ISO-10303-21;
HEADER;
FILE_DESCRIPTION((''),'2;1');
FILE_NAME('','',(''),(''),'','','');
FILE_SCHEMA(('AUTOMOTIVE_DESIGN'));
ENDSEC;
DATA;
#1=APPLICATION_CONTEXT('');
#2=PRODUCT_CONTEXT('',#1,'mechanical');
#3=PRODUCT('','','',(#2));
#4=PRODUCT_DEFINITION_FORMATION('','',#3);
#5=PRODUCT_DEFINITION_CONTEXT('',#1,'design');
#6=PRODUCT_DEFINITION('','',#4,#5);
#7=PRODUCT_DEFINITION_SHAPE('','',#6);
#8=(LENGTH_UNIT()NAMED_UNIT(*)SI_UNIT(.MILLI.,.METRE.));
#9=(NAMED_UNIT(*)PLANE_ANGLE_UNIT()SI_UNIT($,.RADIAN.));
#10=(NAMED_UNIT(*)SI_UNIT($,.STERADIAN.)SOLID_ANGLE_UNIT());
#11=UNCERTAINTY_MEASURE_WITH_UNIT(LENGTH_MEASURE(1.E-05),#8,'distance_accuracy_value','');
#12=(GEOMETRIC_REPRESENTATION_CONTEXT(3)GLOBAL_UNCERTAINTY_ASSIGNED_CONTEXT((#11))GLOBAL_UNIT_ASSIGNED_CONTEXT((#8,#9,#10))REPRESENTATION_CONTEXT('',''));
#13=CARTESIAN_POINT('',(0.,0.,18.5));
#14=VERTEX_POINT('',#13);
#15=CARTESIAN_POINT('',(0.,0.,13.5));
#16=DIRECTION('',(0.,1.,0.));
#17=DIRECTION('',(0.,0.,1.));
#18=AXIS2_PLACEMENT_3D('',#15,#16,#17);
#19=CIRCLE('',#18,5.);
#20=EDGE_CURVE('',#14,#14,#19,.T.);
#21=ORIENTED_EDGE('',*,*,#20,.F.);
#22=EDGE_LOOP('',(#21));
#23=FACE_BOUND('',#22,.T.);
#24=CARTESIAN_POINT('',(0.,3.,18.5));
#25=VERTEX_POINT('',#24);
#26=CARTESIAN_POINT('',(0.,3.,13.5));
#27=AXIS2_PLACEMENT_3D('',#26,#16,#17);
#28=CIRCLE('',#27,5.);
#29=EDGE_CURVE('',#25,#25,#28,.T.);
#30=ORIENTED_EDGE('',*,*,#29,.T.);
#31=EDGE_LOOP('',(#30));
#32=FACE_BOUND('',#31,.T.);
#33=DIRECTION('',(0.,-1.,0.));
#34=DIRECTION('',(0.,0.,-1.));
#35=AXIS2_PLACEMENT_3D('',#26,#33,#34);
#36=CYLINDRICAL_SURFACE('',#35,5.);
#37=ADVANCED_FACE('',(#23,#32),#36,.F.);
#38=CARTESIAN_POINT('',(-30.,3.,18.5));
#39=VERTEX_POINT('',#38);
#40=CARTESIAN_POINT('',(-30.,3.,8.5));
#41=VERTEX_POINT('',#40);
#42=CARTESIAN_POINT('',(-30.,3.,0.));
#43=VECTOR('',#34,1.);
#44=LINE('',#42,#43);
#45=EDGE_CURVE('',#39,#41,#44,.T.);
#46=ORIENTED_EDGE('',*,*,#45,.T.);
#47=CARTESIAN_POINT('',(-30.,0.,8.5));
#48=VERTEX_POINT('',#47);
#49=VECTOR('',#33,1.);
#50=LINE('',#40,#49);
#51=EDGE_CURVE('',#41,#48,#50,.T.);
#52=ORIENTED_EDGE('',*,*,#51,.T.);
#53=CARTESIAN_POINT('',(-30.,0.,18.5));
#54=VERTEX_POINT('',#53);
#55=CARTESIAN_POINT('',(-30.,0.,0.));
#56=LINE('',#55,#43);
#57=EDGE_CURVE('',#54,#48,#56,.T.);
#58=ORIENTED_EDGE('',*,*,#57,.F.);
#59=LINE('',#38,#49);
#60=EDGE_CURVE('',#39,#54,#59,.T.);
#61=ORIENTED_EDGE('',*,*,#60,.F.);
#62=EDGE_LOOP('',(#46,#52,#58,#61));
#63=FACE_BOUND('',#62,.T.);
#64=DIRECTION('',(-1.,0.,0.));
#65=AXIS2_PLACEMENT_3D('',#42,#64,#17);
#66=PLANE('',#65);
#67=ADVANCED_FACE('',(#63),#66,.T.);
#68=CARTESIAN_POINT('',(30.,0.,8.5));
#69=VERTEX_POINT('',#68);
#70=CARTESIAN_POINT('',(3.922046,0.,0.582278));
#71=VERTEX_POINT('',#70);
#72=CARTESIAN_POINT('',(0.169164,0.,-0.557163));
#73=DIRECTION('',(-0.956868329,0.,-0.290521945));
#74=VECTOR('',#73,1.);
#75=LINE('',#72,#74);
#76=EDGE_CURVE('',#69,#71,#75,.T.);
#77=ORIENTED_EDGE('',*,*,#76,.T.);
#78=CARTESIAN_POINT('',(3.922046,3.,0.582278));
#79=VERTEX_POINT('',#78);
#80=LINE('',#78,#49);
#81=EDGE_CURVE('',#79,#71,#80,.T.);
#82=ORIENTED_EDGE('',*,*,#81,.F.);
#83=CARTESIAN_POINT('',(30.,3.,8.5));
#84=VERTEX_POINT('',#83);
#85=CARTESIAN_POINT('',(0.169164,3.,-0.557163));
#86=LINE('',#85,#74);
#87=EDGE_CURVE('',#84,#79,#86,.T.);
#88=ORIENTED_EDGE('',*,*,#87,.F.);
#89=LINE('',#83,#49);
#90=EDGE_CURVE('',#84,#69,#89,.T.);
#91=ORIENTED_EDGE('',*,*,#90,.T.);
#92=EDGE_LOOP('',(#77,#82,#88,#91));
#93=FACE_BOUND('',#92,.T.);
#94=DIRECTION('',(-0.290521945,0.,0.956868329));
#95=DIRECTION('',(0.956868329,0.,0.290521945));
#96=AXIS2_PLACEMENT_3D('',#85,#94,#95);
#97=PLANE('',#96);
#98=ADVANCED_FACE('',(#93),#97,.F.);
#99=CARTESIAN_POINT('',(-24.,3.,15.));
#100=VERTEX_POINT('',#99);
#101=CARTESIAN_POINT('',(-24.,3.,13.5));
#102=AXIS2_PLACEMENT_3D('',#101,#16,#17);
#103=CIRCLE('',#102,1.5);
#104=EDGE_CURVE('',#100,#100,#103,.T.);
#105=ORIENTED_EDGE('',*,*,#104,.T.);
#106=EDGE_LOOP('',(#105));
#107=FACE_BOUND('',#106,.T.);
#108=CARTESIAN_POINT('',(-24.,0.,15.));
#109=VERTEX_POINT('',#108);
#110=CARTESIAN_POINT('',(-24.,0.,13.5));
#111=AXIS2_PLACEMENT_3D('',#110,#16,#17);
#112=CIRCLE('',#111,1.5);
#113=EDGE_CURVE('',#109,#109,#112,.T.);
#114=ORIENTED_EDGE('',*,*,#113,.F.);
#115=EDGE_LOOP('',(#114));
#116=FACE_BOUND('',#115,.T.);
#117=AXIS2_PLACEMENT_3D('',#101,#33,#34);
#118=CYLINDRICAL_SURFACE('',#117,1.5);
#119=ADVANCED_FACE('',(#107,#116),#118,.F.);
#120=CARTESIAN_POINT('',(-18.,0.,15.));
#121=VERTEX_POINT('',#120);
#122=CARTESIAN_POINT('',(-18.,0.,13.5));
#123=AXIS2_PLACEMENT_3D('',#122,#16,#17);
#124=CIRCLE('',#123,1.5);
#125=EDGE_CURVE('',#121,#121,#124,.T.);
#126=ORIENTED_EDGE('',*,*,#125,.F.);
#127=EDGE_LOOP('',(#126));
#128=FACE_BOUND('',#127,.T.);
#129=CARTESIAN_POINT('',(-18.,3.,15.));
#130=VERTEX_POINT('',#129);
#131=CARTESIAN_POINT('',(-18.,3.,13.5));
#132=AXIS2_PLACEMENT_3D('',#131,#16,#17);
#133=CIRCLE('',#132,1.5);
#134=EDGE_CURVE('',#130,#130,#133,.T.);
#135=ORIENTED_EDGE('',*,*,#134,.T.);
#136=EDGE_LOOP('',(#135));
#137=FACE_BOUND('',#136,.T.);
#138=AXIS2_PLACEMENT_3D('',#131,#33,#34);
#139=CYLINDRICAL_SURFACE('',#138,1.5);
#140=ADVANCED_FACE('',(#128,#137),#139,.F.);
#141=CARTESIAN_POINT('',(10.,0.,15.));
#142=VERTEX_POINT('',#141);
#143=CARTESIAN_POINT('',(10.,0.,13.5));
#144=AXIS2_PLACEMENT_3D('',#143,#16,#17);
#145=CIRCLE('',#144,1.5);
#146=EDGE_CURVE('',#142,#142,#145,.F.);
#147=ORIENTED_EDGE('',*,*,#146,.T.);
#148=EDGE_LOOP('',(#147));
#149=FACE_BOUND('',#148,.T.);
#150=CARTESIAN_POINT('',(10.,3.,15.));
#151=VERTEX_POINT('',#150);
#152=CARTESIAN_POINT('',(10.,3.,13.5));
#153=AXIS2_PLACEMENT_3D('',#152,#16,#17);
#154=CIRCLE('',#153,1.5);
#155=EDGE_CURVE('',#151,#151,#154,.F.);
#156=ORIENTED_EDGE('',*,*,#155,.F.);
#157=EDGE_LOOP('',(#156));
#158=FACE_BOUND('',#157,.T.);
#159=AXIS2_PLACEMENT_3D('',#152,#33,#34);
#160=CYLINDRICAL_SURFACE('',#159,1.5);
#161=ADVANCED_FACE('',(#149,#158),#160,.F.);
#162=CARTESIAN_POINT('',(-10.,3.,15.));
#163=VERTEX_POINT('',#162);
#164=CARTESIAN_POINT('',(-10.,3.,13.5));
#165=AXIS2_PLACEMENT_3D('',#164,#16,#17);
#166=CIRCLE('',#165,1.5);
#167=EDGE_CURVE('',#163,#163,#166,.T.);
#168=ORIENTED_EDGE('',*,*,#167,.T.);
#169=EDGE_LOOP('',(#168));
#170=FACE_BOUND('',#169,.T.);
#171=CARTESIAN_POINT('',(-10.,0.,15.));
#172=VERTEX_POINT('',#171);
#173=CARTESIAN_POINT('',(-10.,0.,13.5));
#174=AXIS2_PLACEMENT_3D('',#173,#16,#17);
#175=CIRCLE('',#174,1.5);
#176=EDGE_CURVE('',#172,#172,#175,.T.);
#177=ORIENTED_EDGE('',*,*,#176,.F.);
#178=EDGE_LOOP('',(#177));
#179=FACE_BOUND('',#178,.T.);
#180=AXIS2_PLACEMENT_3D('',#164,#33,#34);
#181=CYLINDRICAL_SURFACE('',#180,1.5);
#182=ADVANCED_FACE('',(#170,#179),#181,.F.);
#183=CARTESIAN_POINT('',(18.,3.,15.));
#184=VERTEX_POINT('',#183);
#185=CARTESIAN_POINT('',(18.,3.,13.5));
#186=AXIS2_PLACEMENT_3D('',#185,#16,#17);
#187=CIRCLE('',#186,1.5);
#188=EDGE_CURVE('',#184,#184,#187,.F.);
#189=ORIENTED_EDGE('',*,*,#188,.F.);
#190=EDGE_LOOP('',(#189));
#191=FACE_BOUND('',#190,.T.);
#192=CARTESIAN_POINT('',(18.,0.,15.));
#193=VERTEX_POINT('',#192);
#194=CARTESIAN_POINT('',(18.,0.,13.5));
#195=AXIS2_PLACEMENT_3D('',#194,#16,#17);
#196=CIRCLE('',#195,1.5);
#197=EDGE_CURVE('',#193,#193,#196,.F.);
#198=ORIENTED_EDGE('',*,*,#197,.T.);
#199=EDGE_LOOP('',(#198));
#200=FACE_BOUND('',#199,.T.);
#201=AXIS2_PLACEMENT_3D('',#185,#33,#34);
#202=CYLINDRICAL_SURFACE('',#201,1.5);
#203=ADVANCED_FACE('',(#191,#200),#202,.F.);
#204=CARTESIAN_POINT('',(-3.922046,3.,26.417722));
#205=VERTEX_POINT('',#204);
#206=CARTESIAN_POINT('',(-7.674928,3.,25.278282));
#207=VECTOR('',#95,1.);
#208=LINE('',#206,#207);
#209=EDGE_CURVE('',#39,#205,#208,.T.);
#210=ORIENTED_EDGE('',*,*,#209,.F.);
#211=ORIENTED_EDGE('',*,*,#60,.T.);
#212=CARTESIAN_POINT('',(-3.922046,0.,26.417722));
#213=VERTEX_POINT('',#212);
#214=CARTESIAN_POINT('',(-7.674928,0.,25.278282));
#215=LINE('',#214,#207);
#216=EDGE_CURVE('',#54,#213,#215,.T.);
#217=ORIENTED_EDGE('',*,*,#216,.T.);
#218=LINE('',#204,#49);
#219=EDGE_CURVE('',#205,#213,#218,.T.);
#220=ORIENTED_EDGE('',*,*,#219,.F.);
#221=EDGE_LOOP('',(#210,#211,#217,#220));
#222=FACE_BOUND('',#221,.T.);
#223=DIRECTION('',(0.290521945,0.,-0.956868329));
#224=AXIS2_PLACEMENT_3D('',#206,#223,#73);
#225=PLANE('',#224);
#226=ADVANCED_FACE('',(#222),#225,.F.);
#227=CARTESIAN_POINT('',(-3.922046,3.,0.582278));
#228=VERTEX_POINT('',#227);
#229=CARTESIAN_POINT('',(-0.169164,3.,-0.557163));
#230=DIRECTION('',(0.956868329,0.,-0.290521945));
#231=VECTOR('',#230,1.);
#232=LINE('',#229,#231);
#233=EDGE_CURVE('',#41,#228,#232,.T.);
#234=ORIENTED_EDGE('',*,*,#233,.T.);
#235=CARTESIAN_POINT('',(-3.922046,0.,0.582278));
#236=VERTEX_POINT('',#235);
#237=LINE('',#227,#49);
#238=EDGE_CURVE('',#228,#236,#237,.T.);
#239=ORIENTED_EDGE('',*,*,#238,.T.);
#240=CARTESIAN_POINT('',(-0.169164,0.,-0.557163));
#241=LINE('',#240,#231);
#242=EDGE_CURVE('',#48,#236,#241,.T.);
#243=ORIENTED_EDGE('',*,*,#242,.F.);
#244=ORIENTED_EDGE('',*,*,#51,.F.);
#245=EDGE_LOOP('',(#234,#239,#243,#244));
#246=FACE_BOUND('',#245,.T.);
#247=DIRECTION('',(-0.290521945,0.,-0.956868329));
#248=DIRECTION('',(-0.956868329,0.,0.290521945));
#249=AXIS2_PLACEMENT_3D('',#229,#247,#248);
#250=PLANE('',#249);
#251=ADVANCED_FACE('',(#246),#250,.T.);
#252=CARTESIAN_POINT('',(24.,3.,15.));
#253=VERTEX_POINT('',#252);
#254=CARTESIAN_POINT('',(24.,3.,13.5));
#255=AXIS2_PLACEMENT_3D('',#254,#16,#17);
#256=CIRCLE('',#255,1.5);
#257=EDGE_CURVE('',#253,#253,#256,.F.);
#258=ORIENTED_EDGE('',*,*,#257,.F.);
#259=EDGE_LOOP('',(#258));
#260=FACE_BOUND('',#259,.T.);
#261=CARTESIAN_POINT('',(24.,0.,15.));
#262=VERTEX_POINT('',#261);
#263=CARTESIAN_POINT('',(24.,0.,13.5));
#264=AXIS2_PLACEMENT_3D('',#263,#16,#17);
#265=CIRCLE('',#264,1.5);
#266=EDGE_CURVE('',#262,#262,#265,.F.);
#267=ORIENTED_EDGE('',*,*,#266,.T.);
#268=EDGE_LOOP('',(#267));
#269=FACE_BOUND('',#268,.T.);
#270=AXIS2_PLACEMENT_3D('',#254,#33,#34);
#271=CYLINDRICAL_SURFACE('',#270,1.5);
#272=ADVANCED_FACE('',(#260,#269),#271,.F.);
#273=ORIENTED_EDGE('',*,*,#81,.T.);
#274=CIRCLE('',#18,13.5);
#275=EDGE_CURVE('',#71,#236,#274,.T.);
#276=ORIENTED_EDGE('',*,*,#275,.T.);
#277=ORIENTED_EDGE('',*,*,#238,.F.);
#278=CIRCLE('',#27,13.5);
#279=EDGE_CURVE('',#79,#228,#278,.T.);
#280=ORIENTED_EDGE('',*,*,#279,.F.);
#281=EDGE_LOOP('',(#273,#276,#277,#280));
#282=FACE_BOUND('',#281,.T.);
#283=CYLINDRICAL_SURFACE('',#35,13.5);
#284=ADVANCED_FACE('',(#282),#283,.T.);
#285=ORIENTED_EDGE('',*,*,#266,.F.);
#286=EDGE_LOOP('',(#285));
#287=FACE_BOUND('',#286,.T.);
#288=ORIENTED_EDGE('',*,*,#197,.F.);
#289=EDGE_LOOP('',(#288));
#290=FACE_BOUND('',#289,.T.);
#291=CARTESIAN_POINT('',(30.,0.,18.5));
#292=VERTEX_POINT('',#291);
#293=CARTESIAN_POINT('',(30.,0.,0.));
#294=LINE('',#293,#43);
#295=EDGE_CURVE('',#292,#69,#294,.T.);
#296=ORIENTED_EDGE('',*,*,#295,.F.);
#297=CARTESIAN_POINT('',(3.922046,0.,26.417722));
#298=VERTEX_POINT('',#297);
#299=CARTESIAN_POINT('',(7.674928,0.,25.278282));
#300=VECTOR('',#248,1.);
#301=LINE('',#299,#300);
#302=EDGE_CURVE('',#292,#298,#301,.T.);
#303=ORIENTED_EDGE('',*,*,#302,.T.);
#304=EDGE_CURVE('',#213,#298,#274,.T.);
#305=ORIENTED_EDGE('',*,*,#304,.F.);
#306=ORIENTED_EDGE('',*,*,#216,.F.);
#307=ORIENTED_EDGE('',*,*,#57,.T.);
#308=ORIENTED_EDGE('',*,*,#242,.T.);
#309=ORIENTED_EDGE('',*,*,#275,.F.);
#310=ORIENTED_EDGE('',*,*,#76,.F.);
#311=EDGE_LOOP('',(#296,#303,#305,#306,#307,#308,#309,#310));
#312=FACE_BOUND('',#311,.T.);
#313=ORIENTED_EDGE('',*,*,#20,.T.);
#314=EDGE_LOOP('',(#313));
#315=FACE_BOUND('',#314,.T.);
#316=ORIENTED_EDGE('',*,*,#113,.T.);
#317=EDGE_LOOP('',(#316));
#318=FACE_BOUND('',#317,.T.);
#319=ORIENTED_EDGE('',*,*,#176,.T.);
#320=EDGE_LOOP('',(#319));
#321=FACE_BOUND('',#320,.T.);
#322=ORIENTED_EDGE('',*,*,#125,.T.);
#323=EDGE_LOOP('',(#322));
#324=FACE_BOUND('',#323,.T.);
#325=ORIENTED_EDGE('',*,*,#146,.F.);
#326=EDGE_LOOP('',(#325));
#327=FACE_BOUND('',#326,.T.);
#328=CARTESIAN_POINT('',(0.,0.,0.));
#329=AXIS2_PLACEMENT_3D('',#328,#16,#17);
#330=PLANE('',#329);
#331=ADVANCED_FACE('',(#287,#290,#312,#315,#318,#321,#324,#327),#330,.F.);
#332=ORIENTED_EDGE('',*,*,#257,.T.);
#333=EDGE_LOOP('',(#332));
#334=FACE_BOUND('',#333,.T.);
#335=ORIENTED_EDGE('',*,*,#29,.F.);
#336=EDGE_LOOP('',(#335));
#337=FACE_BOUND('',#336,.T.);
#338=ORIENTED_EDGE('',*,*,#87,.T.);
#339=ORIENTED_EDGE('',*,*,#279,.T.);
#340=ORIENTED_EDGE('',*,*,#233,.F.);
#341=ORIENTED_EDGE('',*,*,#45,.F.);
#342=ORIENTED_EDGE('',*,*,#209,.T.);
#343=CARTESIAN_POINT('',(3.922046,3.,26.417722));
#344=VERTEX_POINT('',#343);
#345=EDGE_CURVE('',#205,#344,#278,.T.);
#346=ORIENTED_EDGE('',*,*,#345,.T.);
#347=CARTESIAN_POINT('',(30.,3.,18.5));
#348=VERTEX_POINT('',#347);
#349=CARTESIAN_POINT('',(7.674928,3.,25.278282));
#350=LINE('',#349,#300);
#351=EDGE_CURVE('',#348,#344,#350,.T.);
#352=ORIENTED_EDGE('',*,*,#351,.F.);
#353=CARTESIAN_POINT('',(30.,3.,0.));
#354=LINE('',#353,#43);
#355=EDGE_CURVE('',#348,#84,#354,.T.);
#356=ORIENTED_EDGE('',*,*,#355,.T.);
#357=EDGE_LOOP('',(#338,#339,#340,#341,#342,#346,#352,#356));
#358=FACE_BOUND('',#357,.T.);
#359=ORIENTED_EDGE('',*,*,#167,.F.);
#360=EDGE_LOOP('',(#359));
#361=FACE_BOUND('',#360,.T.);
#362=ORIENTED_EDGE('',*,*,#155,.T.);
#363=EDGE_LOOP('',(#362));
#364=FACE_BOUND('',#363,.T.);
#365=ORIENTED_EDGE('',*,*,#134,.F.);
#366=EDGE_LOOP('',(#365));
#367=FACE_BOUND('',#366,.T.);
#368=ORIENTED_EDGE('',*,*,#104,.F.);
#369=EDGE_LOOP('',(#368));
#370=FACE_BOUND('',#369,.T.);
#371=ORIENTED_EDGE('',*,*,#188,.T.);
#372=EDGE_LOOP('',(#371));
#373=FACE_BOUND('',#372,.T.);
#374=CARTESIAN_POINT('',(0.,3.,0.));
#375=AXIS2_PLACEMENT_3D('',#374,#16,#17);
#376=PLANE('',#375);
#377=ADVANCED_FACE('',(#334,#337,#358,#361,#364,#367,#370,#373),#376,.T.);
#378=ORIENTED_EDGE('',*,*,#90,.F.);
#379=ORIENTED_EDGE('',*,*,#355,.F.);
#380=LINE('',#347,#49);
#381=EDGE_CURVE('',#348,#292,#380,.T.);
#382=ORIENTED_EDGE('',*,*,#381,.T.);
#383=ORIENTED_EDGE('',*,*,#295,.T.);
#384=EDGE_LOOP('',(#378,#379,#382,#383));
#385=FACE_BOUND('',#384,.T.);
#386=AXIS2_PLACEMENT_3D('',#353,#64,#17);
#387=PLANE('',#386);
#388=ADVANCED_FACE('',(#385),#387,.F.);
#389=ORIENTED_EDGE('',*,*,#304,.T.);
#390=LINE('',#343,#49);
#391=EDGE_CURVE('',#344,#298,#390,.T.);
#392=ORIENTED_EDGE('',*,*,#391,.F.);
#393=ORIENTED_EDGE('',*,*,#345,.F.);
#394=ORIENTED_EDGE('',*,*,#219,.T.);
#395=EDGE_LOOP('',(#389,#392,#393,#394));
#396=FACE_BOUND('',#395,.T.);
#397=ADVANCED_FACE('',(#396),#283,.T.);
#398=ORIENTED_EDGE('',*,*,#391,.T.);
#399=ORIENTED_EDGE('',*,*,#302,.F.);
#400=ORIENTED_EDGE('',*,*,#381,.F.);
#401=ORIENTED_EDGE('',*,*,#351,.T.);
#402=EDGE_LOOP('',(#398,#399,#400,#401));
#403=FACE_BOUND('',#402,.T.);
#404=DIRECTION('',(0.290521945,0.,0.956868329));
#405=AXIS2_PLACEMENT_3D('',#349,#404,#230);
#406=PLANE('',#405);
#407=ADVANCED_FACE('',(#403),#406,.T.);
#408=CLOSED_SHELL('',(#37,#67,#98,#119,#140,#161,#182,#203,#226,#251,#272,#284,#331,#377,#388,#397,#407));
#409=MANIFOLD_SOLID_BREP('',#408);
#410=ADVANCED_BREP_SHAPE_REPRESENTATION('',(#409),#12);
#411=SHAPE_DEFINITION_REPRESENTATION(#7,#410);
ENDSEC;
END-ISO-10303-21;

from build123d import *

# Parameters (mm, degrees)
BOSS_EXTRUDE1_DEPTH = 3


with BuildPart() as part:
    # Sketch1 → Boss-Extrude1 (new body)
    with BuildSketch(Plane(origin=(0, 0, 0), x_dir=(1, 0, 0), z_dir=(0, 1, 0))):
        with BuildLine():
            Line((0, -8.5), (0, 0))
            ThreePointArc((0, 0), (-1.982516962, -0.146362799), (-3.922046259, -0.582277556))
            ThreePointArc((-3.922046259, -0.582277556), (-10.844298606, -5.459403769), (-13.5, -13.5))
            Line((-13.5, -13.5), (-11.5, -13.5))
            ThreePointArc((-11.5, -13.5), (-10, -12), (-8.5, -13.5))
            Line((-8.5, -13.5), (-5, -13.5))
            ThreePointArc((-5, -13.5), (-3.535533906, -9.964466094), (0, -8.5))
        make_face()
        with BuildLine():
            ThreePointArc((0, -18.5), (-3.535533906, -17.035533906), (-5, -13.5))
            Line((-5, -13.5), (-8.5, -13.5))
            ThreePointArc((-8.5, -13.5), (-10, -15), (-11.5, -13.5))
            Line((-11.5, -13.5), (-13.5, -13.5))
            ThreePointArc((-13.5, -13.5), (-10.844298606, -21.540596231), (-3.922046259, -26.417722444))
            ThreePointArc((-3.922046259, -26.417722444), (-1.982516962, -26.853637201), (0, -27))
            Line((0, -27), (0, -18.5))
        make_face()
        with BuildLine():
            ThreePointArc((-13.5, -13.5), (-10.844298606, -5.459403769), (-3.922046259, -0.582277556))
            Line((-3.922046259, -0.582277556), (-30, -8.5))
            Line((-30, -8.5), (-30, -13.5))
            Line((-30, -13.5), (-25.5, -13.5))
            ThreePointArc((-25.5, -13.5), (-24, -12), (-22.5, -13.5))
            Line((-22.5, -13.5), (-19.5, -13.5))
            ThreePointArc((-19.5, -13.5), (-18, -12), (-16.5, -13.5))
            Line((-16.5, -13.5), (-13.5, -13.5))
        make_face()
        with BuildLine():
            ThreePointArc((-3.922046259, -26.417722444), (-10.844298606, -21.540596231), (-13.5, -13.5))
            Line((-13.5, -13.5), (-16.5, -13.5))
            ThreePointArc((-16.5, -13.5), (-18, -15), (-19.5, -13.5))
            Line((-19.5, -13.5), (-22.5, -13.5))
            ThreePointArc((-22.5, -13.5), (-24, -15), (-25.5, -13.5))
            Line((-25.5, -13.5), (-30, -13.5))
            Line((-30, -13.5), (-30, -18.5))
            Line((-30, -18.5), (-3.922046259, -26.417722444))
        make_face()
        with BuildLine():
            ThreePointArc((3.922046259, -0.582277556), (1.982516962, -0.146362799), (0, 0))
            Line((0, 0), (0, -8.5))
            ThreePointArc((0, -8.5), (3.535533906, -9.964466094), (5, -13.5))
            Line((5, -13.5), (8.5, -13.5))
            ThreePointArc((8.5, -13.5), (10, -12), (11.5, -13.5))
            Line((11.5, -13.5), (13.5, -13.5))
            ThreePointArc((13.5, -13.5), (10.844298606, -5.459403769), (3.922046259, -0.582277556))
        make_face()
        with BuildLine():
            Line((8.5, -13.5), (5, -13.5))
            ThreePointArc((5, -13.5), (3.535533906, -17.035533906), (0, -18.5))
            Line((0, -18.5), (0, -27))
            ThreePointArc((0, -27), (1.982516962, -26.853637201), (3.922046259, -26.417722444))
            ThreePointArc((3.922046259, -26.417722444), (10.844298606, -21.540596231), (13.5, -13.5))
            Line((13.5, -13.5), (11.5, -13.5))
            ThreePointArc((11.5, -13.5), (10, -15), (8.5, -13.5))
        make_face()
        with BuildLine():
            Line((16.5, -13.5), (13.5, -13.5))
            ThreePointArc((13.5, -13.5), (10.844298606, -21.540596231), (3.922046259, -26.417722444))
            Line((3.922046259, -26.417722444), (30, -18.5))
            Line((30, -18.5), (30, -13.5))
            Line((30, -13.5), (25.5, -13.5))
            ThreePointArc((25.5, -13.5), (24, -15), (22.5, -13.5))
            Line((22.5, -13.5), (19.5, -13.5))
            ThreePointArc((19.5, -13.5), (18, -15), (16.5, -13.5))
        make_face()
        with BuildLine():
            Line((30, -8.5), (3.922046259, -0.582277556))
            ThreePointArc((3.922046259, -0.582277556), (10.844298606, -5.459403769), (13.5, -13.5))
            Line((13.5, -13.5), (16.5, -13.5))
            ThreePointArc((16.5, -13.5), (18, -12), (19.5, -13.5))
            Line((19.5, -13.5), (22.5, -13.5))
            ThreePointArc((22.5, -13.5), (24, -12), (25.5, -13.5))
            Line((25.5, -13.5), (30, -13.5))
            Line((30, -13.5), (30, -8.5))
        make_face()
    extrude(amount=BOSS_EXTRUDE1_DEPTH)


solid = part.part
